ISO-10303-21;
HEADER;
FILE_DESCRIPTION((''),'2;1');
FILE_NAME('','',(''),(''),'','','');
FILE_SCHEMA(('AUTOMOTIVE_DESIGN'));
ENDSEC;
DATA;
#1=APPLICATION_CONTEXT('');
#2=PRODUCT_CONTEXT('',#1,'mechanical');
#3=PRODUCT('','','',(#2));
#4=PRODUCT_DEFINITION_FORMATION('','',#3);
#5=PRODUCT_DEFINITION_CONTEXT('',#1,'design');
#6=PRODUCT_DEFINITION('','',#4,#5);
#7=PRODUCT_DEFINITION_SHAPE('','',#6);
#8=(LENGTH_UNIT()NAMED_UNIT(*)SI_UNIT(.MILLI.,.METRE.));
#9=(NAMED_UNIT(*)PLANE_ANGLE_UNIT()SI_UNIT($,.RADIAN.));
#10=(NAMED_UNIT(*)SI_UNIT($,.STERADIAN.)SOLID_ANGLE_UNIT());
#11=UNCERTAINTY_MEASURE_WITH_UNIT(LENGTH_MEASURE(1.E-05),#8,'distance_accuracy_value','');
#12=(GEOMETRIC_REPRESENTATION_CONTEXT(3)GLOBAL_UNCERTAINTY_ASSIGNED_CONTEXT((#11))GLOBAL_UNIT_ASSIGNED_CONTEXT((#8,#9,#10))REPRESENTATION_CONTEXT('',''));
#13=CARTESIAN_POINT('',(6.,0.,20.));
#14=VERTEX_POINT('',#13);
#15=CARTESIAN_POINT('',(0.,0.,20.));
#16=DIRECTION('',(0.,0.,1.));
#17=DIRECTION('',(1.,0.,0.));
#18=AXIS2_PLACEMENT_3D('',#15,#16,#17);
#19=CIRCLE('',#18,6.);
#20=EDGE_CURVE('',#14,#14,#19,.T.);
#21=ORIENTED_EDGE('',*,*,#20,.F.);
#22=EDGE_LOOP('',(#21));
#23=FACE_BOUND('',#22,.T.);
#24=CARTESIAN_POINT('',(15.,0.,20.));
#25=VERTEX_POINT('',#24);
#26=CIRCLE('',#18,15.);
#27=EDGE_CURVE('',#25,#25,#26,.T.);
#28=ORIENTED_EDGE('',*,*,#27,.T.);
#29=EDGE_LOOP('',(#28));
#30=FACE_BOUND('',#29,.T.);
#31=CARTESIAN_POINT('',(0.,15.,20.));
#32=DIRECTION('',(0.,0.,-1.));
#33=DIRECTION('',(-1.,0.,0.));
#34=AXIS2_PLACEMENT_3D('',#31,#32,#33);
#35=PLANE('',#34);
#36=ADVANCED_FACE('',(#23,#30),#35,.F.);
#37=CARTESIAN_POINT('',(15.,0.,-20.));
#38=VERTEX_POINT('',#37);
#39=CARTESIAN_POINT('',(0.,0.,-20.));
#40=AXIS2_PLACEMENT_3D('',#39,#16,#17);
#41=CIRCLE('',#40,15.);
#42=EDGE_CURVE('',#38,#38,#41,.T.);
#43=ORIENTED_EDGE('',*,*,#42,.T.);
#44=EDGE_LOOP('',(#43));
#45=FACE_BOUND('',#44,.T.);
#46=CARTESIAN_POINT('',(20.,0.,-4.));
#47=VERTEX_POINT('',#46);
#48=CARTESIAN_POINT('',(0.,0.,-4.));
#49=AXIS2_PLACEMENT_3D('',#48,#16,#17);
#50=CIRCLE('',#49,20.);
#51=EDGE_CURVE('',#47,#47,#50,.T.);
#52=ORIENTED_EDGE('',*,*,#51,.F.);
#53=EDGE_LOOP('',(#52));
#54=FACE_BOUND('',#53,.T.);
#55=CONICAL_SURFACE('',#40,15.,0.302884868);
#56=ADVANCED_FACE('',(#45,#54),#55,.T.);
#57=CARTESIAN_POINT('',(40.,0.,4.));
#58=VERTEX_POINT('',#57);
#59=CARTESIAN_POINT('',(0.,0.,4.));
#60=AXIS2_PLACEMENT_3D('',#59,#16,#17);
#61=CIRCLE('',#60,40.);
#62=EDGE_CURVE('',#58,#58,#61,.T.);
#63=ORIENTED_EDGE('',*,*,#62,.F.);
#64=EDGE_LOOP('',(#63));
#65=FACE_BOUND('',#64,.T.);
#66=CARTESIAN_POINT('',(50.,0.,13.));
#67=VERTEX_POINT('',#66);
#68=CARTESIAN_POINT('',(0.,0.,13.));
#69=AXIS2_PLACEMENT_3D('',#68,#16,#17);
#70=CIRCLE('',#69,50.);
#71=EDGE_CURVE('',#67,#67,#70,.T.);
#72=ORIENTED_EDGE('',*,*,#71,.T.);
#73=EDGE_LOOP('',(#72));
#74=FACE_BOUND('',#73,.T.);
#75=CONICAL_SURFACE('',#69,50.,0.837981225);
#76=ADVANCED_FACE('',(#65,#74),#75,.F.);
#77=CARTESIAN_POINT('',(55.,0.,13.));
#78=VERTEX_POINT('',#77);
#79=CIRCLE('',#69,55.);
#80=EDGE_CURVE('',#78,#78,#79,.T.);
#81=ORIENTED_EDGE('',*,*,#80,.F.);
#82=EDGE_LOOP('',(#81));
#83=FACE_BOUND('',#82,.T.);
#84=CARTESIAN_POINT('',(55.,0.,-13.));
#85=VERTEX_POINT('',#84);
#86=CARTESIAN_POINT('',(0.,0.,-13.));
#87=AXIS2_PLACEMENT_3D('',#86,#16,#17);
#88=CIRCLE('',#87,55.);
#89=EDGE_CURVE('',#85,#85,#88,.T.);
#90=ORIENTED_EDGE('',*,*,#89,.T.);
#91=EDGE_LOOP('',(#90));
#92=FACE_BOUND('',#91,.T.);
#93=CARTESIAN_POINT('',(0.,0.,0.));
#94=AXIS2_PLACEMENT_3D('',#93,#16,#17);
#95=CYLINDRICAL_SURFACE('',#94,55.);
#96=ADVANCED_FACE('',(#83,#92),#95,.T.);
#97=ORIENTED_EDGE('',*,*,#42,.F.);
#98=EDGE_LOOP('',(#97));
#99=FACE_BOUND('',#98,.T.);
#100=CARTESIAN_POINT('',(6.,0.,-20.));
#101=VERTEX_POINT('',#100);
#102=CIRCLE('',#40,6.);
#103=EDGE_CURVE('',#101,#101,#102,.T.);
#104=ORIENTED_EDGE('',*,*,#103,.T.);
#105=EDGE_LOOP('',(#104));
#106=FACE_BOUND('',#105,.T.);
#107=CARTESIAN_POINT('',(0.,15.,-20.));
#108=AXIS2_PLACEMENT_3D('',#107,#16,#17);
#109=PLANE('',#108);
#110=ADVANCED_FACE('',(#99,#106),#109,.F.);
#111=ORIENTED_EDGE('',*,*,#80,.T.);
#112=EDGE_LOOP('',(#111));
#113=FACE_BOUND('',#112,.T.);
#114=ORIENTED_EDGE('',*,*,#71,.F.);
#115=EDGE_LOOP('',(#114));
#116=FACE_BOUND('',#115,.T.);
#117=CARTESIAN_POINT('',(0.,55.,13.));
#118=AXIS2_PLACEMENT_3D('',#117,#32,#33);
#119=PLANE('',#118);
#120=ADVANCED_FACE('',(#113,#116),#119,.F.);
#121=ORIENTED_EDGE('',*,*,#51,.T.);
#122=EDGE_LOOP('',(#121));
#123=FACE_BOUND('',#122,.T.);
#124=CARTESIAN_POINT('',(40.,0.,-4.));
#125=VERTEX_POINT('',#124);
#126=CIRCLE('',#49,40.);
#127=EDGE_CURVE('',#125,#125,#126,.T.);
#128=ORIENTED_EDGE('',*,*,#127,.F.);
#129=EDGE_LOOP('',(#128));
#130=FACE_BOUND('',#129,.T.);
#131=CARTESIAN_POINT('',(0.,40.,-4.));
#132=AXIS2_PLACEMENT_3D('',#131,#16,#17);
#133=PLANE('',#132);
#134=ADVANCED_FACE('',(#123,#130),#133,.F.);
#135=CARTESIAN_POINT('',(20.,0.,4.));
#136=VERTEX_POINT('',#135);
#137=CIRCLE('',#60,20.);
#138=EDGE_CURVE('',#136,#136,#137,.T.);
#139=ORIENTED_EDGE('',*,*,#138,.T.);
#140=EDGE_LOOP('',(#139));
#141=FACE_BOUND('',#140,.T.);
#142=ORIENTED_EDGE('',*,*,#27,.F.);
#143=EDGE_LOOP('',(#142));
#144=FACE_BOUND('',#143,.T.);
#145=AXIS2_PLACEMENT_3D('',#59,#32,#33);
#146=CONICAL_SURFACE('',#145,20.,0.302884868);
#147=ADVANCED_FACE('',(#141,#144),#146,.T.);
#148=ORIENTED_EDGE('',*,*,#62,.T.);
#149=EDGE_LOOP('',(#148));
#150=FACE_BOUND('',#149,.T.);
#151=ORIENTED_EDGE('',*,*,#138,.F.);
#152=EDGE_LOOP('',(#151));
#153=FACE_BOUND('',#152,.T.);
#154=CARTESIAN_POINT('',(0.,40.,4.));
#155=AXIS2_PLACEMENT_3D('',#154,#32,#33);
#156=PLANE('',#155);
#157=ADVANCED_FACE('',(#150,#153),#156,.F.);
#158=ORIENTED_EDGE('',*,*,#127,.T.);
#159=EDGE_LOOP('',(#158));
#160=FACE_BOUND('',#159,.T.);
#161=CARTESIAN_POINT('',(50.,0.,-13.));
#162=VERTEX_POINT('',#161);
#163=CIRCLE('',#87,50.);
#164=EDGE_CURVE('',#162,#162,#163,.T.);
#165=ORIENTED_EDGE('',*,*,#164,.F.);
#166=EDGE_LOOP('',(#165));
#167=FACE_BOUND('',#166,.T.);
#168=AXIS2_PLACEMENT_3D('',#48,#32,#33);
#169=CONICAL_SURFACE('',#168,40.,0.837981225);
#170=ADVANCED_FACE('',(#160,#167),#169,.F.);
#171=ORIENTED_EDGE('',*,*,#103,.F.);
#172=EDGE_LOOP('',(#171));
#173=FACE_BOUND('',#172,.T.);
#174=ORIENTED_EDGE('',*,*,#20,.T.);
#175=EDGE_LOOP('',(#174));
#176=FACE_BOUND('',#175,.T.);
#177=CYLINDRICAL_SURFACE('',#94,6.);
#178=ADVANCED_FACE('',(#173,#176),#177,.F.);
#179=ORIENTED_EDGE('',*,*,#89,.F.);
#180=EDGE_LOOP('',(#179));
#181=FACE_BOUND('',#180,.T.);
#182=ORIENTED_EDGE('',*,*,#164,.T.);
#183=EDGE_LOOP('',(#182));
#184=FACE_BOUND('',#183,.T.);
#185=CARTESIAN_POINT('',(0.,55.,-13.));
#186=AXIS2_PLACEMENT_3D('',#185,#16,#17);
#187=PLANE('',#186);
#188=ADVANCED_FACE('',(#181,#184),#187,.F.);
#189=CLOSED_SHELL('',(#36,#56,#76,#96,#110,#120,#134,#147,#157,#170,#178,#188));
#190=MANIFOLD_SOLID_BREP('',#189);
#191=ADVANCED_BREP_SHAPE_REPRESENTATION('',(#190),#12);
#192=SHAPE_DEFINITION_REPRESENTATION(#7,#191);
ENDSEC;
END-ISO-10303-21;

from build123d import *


with BuildPart() as part:
    # Sketch1 → Revolve1 (revolve)
    with BuildSketch(Plane(origin=(0, 0, 0), x_dir=(0, 0, -1), z_dir=(1, 0, 0)), mode=Mode.PRIVATE) as revolve1_sk:
        Polygon((13, 55), (13, 50), (4, 40), (4, 20), (20, 15), (20, 6), (-20, 6), (-20, 15), (-4, 20), (-4, 40), (-13, 50), (-13, 55), align=None)
    revolve(revolve1_sk.sketch.rotate(Axis((0, 0, 0), (0, 0, -1)), 90), axis=Axis((0, 0, 0), (0, 0, -1)))


solid = part.part
